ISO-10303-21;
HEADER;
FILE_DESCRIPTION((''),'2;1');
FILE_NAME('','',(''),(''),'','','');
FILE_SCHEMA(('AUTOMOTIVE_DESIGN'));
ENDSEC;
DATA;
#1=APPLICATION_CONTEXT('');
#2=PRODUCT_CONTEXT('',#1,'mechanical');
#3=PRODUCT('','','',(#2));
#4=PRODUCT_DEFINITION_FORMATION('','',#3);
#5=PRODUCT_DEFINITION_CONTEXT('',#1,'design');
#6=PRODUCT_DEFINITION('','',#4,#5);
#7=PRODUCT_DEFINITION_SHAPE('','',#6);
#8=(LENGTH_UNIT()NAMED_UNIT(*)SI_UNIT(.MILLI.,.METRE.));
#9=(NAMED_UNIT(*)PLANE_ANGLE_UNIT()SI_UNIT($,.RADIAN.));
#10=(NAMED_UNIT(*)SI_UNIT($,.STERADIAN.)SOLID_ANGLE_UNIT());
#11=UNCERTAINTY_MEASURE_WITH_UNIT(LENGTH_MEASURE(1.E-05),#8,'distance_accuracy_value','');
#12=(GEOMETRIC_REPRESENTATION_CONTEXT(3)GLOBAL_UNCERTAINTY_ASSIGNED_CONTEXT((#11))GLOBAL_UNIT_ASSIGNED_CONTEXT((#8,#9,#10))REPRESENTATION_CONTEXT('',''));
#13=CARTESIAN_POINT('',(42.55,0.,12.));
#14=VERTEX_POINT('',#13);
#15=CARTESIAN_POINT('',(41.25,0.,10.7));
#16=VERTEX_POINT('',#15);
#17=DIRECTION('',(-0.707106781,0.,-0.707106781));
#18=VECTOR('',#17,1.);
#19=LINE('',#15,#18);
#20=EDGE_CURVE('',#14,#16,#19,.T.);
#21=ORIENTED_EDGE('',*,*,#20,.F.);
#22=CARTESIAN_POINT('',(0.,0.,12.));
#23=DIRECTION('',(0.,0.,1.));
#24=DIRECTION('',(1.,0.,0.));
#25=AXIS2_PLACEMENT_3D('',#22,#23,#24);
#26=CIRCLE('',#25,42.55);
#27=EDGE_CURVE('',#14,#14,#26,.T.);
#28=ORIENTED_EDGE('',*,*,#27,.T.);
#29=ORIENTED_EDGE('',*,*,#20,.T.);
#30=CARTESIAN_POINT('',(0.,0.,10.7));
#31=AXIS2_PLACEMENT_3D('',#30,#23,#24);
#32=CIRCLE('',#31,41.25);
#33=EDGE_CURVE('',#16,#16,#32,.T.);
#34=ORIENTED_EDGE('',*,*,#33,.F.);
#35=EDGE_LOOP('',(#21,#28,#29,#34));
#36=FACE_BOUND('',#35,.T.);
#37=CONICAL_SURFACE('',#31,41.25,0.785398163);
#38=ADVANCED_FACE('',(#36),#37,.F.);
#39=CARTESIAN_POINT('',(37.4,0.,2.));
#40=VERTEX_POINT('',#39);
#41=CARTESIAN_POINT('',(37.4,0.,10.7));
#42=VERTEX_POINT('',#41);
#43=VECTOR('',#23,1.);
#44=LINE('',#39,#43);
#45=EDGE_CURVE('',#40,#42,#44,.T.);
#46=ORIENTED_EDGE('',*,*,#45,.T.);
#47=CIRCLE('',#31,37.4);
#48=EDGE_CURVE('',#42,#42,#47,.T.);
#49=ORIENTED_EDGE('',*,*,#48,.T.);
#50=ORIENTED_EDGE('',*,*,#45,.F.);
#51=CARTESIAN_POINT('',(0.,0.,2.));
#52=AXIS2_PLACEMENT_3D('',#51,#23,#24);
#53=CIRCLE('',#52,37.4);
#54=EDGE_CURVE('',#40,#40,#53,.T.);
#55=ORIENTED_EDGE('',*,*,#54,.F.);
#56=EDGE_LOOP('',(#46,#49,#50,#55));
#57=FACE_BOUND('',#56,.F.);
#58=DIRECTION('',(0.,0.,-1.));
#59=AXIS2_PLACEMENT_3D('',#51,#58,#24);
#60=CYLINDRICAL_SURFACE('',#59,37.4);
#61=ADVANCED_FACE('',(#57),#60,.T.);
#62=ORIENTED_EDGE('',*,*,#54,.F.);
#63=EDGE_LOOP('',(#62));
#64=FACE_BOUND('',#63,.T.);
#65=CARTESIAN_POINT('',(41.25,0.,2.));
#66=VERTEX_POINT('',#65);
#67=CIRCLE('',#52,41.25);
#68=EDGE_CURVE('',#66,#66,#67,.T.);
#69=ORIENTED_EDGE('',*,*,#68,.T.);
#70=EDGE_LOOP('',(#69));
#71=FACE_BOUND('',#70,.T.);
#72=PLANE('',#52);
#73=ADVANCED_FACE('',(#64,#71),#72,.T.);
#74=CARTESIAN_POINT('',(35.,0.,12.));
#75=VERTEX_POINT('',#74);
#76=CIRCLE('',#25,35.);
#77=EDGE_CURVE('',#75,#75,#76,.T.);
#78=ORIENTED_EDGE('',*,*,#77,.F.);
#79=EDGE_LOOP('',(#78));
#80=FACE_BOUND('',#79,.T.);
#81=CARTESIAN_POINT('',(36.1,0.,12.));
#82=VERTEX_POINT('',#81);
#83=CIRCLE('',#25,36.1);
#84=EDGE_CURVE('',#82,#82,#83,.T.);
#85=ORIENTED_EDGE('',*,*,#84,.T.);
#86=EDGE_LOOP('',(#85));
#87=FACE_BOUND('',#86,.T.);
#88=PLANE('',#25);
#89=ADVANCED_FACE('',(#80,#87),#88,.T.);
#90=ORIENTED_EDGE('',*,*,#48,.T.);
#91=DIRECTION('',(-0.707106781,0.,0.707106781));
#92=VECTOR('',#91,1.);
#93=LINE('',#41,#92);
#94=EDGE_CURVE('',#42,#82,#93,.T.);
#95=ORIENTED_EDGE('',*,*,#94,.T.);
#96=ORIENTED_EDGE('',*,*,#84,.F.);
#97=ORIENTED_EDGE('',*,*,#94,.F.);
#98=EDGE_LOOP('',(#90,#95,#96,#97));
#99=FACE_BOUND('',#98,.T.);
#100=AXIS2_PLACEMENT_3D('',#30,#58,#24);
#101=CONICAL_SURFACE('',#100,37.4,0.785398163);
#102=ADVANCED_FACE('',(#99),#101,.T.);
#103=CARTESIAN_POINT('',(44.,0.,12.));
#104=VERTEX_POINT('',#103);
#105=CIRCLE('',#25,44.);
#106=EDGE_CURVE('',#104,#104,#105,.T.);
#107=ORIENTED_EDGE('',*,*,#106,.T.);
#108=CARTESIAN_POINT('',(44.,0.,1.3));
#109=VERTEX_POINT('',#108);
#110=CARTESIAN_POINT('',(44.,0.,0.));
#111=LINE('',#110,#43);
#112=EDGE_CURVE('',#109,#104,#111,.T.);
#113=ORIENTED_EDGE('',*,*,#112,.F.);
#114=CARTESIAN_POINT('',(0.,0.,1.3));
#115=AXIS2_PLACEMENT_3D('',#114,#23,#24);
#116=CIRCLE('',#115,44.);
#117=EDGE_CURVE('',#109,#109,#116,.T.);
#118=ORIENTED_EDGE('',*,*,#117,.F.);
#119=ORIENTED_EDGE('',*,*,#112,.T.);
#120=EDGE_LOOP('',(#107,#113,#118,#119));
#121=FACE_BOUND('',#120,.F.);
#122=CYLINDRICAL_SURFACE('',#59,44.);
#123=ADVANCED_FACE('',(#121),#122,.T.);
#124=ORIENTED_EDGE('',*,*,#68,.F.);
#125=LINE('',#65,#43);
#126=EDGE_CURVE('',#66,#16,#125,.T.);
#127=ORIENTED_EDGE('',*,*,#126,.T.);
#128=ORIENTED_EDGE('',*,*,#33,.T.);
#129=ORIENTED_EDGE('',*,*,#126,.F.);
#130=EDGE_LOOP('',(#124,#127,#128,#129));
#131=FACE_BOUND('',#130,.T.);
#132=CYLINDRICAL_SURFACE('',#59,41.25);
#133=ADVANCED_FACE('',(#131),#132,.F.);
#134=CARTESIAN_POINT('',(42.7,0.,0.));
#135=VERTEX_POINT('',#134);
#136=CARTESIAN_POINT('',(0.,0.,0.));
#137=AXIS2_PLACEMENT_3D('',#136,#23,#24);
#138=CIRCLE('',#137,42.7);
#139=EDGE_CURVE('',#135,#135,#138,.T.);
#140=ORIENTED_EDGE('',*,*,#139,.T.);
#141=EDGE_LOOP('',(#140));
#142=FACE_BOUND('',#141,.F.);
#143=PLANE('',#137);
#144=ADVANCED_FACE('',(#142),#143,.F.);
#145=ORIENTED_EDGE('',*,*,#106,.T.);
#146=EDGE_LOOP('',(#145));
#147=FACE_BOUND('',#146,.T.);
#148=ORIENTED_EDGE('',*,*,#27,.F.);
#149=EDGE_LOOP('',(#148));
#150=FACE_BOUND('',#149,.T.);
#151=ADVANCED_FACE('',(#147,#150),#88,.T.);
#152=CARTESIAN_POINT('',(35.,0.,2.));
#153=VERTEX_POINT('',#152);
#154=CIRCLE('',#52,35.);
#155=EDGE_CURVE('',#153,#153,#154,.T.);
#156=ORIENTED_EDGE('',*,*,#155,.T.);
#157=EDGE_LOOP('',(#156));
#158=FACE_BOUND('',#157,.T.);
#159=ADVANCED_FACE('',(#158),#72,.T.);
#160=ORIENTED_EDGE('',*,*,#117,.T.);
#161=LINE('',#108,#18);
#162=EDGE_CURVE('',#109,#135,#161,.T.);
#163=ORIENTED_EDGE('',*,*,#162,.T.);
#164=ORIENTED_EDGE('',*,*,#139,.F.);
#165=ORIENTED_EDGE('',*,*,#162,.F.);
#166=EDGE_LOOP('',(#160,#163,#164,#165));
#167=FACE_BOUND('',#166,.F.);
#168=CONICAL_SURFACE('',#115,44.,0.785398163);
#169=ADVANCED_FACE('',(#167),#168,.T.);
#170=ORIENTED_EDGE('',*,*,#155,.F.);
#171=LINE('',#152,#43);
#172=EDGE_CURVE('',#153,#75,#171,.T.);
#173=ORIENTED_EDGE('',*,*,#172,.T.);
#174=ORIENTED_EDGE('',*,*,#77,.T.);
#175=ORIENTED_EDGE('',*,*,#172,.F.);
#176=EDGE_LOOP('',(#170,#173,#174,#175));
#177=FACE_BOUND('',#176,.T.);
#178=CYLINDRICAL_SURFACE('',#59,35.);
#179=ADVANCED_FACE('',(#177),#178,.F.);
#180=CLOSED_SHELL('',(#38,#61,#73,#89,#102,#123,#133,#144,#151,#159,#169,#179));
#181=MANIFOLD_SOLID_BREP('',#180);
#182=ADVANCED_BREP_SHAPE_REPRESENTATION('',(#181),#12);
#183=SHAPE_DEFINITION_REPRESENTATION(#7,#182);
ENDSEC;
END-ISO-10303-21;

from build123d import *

# Parameters (mm, degrees)
F0_R     = 44
F1_DEPTH = 2
F2_R     = 44
F2_R_2   = 41.25
F2_R_3   = 37.4
F2_R_4   = 35
F3_DEPTH = 10
F4_SIZE  = 1.3


with BuildPart() as f1:
    # F0 (on Top) → F1 (new body)
    with BuildSketch(Plane.XY):
        Circle(F0_R)
    extrude(amount=F1_DEPTH)

    # F2 (on face) → F3 (join)
    with BuildSketch(Plane.XY.offset(2)):
        Circle(F2_R)
        Circle(F2_R_2, mode=Mode.SUBTRACT)
        Circle(F2_R_3)
        Circle(F2_R_4, mode=Mode.SUBTRACT)
    extrude(amount=F3_DEPTH)

    # F4
    f4_edges = [f1.edges().sort_by_distance(p)[0] for p in [
        (-41.25, 0, 12),
        (-37.4, 0, 12),
        (-44, 0, 0),
    ]]
    chamfer(f4_edges, length=F4_SIZE)


solid = f1.part
